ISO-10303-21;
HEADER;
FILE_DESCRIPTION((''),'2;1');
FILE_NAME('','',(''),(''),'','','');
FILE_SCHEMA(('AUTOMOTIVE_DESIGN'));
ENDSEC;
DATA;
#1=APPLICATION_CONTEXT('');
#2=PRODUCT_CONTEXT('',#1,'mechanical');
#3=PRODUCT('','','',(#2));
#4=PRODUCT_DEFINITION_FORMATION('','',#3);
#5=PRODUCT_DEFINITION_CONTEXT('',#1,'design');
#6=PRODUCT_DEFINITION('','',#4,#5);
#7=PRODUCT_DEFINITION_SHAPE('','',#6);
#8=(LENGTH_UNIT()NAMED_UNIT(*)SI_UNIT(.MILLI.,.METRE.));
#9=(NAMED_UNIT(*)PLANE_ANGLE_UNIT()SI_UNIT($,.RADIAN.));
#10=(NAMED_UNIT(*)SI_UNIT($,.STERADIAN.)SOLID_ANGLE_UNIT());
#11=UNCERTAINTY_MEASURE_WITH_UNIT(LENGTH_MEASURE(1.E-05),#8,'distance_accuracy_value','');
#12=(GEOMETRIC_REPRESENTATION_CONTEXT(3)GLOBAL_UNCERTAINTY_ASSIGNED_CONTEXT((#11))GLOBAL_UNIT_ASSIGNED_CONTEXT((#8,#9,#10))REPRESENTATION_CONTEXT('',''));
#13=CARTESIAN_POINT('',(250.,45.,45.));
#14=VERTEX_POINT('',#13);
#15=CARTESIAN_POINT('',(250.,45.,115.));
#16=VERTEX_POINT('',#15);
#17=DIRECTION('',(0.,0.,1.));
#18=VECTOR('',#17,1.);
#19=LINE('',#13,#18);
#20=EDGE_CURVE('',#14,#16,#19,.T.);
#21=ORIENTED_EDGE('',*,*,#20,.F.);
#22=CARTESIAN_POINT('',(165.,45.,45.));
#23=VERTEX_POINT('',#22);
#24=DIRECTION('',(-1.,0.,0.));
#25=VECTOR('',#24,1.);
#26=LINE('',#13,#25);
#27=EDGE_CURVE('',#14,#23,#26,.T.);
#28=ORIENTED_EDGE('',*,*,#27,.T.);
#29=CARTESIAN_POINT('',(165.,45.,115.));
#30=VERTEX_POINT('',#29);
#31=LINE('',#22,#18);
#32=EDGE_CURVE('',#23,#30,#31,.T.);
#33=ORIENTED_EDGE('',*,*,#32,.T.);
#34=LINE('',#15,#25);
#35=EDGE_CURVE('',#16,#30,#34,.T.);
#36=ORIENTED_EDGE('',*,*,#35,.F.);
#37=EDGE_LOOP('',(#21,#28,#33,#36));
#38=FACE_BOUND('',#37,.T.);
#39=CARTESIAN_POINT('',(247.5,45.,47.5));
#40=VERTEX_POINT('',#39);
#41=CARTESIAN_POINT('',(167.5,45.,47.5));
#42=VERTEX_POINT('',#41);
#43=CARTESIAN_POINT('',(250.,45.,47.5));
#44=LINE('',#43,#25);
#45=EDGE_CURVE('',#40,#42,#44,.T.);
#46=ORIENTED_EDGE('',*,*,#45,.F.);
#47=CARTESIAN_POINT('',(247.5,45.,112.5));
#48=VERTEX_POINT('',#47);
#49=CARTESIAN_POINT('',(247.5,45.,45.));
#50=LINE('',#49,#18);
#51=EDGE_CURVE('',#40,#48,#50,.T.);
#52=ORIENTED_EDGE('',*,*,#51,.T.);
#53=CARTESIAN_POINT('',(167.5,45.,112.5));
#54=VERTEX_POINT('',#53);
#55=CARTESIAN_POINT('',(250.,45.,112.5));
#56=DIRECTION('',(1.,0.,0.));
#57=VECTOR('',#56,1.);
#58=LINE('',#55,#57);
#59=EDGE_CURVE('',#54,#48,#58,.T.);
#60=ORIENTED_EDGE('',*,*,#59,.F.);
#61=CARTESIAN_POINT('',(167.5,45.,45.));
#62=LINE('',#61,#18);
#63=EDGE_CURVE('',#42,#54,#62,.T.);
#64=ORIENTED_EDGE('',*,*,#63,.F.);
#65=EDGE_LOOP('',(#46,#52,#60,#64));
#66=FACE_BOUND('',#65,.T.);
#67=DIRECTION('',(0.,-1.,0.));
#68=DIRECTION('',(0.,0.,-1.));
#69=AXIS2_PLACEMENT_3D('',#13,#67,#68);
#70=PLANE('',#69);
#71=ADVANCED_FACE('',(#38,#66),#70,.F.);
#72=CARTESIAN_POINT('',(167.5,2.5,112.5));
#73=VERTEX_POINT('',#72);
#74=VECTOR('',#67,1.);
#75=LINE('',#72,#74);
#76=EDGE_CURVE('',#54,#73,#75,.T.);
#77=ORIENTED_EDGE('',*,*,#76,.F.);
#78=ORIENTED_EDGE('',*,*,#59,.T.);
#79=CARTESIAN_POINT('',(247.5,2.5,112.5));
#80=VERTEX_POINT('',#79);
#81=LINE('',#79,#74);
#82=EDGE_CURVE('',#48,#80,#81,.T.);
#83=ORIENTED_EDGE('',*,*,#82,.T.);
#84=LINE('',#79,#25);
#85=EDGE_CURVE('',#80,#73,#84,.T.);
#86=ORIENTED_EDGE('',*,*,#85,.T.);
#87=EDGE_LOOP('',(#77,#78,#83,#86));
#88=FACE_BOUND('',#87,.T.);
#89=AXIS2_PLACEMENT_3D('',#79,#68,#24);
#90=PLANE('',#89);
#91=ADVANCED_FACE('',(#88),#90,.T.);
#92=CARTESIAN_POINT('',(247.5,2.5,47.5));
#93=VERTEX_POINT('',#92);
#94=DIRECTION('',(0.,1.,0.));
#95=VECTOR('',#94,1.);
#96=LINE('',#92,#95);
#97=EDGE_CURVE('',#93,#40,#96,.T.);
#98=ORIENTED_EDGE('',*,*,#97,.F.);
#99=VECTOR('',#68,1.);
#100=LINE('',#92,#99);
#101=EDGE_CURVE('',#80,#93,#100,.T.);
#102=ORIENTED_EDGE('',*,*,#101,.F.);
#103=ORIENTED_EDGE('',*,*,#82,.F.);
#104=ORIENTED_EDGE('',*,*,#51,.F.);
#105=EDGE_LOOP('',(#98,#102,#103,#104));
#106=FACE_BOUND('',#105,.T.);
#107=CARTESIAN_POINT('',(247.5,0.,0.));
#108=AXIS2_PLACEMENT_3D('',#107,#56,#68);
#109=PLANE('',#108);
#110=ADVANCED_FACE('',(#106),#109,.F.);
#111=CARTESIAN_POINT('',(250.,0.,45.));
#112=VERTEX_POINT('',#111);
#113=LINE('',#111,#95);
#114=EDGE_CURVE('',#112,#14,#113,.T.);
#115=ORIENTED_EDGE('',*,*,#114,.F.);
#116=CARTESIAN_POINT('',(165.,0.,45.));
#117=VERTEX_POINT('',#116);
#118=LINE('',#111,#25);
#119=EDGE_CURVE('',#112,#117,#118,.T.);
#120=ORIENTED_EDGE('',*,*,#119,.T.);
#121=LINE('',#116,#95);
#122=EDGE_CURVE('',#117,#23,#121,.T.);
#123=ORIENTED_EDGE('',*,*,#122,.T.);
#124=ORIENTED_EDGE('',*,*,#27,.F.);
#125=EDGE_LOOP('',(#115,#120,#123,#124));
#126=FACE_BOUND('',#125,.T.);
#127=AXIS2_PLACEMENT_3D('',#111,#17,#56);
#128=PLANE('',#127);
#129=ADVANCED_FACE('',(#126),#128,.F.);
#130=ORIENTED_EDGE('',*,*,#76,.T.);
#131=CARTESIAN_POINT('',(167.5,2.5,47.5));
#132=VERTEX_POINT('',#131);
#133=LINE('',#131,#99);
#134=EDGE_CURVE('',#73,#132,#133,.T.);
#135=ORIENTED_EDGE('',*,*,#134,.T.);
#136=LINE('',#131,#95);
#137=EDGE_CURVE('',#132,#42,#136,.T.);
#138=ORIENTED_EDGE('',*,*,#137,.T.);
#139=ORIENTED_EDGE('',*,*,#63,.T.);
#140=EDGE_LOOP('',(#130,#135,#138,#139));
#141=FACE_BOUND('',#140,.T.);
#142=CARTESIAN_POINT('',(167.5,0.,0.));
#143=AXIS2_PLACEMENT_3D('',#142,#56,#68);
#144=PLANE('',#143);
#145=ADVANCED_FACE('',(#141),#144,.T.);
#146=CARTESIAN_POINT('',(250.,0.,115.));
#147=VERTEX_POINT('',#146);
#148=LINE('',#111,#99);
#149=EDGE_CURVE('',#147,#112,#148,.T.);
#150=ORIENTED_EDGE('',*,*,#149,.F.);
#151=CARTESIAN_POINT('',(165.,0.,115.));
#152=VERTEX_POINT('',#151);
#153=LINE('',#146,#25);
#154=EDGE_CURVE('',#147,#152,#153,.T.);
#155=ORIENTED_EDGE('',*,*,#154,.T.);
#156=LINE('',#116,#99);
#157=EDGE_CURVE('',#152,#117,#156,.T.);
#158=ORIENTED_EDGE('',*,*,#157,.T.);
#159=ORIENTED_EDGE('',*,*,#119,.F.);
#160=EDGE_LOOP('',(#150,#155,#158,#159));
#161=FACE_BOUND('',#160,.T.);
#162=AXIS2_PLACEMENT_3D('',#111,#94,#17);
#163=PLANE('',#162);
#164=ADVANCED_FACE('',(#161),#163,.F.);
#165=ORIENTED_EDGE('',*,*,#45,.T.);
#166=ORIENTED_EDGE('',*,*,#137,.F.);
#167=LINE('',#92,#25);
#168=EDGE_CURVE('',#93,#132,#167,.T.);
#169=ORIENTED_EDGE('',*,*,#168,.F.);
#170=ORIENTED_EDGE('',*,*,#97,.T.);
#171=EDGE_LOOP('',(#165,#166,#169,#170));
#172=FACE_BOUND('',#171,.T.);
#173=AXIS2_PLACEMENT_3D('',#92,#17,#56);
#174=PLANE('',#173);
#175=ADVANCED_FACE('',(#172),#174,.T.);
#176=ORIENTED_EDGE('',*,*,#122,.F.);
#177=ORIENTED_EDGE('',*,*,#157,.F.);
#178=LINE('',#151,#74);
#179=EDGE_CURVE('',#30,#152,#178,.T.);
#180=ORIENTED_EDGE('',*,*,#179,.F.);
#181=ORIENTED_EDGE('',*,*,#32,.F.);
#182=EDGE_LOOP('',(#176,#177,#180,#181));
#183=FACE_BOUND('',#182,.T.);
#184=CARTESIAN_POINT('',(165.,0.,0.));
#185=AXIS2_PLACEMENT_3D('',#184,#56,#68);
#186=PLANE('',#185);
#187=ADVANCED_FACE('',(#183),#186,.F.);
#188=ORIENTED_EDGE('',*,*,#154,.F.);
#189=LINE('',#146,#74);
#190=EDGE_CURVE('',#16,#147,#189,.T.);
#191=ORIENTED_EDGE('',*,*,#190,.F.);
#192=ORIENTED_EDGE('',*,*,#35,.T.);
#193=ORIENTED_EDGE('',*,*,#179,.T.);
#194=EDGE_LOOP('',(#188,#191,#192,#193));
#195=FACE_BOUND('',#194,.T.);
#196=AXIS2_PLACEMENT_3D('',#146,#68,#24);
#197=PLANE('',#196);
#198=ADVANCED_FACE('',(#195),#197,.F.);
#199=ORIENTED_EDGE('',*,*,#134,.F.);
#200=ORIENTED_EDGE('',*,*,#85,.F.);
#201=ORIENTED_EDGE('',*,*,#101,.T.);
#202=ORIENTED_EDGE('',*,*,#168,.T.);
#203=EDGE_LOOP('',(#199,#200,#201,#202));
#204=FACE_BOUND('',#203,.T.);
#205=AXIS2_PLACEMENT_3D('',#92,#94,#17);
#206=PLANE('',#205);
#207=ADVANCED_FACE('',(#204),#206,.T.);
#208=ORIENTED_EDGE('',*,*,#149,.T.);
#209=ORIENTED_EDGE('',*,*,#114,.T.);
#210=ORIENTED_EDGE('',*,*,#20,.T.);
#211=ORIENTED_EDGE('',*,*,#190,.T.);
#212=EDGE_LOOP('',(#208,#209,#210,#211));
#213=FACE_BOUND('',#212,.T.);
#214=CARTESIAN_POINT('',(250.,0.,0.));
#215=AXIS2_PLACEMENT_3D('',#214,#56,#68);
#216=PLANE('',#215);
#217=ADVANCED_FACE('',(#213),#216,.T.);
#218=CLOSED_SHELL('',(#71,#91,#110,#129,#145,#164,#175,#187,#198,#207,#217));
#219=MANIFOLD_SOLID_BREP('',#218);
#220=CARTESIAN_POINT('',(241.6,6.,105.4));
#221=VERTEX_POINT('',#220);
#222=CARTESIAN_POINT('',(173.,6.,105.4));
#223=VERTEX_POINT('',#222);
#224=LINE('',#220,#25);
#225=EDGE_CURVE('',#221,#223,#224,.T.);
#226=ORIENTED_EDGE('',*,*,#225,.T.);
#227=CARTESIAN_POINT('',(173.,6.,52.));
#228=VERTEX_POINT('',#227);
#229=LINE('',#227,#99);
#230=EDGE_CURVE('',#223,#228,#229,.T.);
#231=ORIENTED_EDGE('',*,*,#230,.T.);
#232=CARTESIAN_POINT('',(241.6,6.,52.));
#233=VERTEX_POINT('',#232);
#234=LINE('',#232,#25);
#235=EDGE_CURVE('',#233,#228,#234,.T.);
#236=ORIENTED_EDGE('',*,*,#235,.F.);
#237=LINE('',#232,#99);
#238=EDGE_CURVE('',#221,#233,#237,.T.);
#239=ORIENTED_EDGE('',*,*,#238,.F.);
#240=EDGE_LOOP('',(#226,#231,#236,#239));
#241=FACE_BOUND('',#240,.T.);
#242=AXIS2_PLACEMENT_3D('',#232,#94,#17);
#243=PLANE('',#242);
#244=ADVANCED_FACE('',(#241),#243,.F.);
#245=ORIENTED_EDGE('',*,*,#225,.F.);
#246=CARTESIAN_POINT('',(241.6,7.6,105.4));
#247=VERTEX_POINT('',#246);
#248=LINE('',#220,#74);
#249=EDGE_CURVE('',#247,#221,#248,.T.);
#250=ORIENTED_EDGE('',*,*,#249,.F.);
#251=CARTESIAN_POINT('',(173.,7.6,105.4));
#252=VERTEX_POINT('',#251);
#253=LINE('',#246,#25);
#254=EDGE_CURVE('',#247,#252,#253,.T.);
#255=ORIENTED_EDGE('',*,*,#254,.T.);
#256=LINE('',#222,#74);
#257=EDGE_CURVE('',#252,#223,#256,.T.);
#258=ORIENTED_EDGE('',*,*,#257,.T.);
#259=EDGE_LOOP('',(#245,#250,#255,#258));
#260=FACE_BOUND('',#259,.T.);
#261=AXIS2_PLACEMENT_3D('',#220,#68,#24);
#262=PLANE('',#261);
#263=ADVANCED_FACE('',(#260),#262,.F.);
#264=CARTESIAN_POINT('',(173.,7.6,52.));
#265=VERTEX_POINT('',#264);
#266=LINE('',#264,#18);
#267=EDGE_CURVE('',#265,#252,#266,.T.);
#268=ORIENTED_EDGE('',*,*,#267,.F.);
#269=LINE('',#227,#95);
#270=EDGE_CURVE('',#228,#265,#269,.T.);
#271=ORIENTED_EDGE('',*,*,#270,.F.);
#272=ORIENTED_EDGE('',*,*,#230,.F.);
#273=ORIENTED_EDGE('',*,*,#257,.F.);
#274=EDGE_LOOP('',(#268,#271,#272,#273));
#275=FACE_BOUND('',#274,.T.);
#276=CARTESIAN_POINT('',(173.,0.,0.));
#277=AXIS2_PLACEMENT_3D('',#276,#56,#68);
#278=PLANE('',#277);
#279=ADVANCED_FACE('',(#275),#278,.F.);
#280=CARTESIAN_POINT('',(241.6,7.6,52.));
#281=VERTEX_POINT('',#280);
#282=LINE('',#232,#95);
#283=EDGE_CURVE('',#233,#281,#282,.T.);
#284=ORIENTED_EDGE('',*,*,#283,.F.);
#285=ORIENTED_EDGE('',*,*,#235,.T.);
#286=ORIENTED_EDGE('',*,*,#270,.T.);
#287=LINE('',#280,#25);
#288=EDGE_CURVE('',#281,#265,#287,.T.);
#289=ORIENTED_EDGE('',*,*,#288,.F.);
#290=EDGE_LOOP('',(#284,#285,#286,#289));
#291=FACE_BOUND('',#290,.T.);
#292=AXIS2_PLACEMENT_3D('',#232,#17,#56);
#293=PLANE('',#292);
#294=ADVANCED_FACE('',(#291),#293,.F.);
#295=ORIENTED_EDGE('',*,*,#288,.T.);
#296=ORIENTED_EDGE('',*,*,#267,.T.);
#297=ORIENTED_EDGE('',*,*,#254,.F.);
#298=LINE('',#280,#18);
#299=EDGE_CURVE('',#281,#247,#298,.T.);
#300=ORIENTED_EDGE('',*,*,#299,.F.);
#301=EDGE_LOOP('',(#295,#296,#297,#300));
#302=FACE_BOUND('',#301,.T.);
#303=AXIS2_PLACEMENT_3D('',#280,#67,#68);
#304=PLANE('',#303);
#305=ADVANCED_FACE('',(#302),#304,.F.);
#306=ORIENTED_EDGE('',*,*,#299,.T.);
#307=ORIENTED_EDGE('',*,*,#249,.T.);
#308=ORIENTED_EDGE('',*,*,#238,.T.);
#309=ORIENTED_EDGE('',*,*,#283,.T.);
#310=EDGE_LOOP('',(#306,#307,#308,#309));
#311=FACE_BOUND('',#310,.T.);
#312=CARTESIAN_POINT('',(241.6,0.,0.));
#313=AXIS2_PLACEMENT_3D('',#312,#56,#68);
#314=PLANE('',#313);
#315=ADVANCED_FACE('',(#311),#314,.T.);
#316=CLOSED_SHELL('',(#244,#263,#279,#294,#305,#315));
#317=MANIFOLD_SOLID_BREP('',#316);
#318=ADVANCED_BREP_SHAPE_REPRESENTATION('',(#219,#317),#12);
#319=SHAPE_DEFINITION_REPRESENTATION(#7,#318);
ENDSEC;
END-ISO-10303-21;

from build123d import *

# Parameters (mm, degrees)
ENCLOSURE_START   = 165
SKETCH1_W         = 70
SKETCH1_H         = 45
ENCLOSURE_DEPTH   = 85
CAVITY_START      = 167.5
SKETCH2_W         = 65
SKETCH2_H         = 47.5
CAVITY_DEPTH      = 80
ARDUINO_UNO_START = 173
SKETCH3_W         = 53.4
SKETCH3_H         = 1.6
ARDUINO_UNO_DEPTH = 68.6


with BuildPart() as part:
    # Sketch1 → enclosure (new body)
    with BuildSketch(Plane(origin=(0, 0, 0), x_dir=(0, 0, -1), z_dir=(1, 0, 0)).offset(ENCLOSURE_START)):
        with Locations((-80, 22.5)):
            Rectangle(SKETCH1_W, SKETCH1_H)
    extrude(amount=ENCLOSURE_DEPTH)


with BuildPart() as body_2:
    # Sketch2 → cavity (new body)
    with BuildSketch(Plane(origin=(0, 0, 0), x_dir=(0, 0, -1), z_dir=(1, 0, 0)).offset(CAVITY_START)):
        with Locations((-80, 26.25)):
            Rectangle(SKETCH2_W, SKETCH2_H)
    extrude(amount=CAVITY_DEPTH)


with BuildPart() as part_1:
    add(part.part)

    # Combine1: cut body 2
    add(body_2.part, mode=Mode.SUBTRACT)


with BuildPart() as body_2_2:
    # Sketch3 → arduino_uno (new body)
    with BuildSketch(Plane(origin=(0, 0, 0), x_dir=(0, 0, -1), z_dir=(1, 0, 0)).offset(ARDUINO_UNO_START)):
        with Locations((-78.7, 6.8)):
            Rectangle(SKETCH3_W, SKETCH3_H)
    extrude(amount=ARDUINO_UNO_DEPTH)


solid = Compound([part_1.part, body_2_2.part])
